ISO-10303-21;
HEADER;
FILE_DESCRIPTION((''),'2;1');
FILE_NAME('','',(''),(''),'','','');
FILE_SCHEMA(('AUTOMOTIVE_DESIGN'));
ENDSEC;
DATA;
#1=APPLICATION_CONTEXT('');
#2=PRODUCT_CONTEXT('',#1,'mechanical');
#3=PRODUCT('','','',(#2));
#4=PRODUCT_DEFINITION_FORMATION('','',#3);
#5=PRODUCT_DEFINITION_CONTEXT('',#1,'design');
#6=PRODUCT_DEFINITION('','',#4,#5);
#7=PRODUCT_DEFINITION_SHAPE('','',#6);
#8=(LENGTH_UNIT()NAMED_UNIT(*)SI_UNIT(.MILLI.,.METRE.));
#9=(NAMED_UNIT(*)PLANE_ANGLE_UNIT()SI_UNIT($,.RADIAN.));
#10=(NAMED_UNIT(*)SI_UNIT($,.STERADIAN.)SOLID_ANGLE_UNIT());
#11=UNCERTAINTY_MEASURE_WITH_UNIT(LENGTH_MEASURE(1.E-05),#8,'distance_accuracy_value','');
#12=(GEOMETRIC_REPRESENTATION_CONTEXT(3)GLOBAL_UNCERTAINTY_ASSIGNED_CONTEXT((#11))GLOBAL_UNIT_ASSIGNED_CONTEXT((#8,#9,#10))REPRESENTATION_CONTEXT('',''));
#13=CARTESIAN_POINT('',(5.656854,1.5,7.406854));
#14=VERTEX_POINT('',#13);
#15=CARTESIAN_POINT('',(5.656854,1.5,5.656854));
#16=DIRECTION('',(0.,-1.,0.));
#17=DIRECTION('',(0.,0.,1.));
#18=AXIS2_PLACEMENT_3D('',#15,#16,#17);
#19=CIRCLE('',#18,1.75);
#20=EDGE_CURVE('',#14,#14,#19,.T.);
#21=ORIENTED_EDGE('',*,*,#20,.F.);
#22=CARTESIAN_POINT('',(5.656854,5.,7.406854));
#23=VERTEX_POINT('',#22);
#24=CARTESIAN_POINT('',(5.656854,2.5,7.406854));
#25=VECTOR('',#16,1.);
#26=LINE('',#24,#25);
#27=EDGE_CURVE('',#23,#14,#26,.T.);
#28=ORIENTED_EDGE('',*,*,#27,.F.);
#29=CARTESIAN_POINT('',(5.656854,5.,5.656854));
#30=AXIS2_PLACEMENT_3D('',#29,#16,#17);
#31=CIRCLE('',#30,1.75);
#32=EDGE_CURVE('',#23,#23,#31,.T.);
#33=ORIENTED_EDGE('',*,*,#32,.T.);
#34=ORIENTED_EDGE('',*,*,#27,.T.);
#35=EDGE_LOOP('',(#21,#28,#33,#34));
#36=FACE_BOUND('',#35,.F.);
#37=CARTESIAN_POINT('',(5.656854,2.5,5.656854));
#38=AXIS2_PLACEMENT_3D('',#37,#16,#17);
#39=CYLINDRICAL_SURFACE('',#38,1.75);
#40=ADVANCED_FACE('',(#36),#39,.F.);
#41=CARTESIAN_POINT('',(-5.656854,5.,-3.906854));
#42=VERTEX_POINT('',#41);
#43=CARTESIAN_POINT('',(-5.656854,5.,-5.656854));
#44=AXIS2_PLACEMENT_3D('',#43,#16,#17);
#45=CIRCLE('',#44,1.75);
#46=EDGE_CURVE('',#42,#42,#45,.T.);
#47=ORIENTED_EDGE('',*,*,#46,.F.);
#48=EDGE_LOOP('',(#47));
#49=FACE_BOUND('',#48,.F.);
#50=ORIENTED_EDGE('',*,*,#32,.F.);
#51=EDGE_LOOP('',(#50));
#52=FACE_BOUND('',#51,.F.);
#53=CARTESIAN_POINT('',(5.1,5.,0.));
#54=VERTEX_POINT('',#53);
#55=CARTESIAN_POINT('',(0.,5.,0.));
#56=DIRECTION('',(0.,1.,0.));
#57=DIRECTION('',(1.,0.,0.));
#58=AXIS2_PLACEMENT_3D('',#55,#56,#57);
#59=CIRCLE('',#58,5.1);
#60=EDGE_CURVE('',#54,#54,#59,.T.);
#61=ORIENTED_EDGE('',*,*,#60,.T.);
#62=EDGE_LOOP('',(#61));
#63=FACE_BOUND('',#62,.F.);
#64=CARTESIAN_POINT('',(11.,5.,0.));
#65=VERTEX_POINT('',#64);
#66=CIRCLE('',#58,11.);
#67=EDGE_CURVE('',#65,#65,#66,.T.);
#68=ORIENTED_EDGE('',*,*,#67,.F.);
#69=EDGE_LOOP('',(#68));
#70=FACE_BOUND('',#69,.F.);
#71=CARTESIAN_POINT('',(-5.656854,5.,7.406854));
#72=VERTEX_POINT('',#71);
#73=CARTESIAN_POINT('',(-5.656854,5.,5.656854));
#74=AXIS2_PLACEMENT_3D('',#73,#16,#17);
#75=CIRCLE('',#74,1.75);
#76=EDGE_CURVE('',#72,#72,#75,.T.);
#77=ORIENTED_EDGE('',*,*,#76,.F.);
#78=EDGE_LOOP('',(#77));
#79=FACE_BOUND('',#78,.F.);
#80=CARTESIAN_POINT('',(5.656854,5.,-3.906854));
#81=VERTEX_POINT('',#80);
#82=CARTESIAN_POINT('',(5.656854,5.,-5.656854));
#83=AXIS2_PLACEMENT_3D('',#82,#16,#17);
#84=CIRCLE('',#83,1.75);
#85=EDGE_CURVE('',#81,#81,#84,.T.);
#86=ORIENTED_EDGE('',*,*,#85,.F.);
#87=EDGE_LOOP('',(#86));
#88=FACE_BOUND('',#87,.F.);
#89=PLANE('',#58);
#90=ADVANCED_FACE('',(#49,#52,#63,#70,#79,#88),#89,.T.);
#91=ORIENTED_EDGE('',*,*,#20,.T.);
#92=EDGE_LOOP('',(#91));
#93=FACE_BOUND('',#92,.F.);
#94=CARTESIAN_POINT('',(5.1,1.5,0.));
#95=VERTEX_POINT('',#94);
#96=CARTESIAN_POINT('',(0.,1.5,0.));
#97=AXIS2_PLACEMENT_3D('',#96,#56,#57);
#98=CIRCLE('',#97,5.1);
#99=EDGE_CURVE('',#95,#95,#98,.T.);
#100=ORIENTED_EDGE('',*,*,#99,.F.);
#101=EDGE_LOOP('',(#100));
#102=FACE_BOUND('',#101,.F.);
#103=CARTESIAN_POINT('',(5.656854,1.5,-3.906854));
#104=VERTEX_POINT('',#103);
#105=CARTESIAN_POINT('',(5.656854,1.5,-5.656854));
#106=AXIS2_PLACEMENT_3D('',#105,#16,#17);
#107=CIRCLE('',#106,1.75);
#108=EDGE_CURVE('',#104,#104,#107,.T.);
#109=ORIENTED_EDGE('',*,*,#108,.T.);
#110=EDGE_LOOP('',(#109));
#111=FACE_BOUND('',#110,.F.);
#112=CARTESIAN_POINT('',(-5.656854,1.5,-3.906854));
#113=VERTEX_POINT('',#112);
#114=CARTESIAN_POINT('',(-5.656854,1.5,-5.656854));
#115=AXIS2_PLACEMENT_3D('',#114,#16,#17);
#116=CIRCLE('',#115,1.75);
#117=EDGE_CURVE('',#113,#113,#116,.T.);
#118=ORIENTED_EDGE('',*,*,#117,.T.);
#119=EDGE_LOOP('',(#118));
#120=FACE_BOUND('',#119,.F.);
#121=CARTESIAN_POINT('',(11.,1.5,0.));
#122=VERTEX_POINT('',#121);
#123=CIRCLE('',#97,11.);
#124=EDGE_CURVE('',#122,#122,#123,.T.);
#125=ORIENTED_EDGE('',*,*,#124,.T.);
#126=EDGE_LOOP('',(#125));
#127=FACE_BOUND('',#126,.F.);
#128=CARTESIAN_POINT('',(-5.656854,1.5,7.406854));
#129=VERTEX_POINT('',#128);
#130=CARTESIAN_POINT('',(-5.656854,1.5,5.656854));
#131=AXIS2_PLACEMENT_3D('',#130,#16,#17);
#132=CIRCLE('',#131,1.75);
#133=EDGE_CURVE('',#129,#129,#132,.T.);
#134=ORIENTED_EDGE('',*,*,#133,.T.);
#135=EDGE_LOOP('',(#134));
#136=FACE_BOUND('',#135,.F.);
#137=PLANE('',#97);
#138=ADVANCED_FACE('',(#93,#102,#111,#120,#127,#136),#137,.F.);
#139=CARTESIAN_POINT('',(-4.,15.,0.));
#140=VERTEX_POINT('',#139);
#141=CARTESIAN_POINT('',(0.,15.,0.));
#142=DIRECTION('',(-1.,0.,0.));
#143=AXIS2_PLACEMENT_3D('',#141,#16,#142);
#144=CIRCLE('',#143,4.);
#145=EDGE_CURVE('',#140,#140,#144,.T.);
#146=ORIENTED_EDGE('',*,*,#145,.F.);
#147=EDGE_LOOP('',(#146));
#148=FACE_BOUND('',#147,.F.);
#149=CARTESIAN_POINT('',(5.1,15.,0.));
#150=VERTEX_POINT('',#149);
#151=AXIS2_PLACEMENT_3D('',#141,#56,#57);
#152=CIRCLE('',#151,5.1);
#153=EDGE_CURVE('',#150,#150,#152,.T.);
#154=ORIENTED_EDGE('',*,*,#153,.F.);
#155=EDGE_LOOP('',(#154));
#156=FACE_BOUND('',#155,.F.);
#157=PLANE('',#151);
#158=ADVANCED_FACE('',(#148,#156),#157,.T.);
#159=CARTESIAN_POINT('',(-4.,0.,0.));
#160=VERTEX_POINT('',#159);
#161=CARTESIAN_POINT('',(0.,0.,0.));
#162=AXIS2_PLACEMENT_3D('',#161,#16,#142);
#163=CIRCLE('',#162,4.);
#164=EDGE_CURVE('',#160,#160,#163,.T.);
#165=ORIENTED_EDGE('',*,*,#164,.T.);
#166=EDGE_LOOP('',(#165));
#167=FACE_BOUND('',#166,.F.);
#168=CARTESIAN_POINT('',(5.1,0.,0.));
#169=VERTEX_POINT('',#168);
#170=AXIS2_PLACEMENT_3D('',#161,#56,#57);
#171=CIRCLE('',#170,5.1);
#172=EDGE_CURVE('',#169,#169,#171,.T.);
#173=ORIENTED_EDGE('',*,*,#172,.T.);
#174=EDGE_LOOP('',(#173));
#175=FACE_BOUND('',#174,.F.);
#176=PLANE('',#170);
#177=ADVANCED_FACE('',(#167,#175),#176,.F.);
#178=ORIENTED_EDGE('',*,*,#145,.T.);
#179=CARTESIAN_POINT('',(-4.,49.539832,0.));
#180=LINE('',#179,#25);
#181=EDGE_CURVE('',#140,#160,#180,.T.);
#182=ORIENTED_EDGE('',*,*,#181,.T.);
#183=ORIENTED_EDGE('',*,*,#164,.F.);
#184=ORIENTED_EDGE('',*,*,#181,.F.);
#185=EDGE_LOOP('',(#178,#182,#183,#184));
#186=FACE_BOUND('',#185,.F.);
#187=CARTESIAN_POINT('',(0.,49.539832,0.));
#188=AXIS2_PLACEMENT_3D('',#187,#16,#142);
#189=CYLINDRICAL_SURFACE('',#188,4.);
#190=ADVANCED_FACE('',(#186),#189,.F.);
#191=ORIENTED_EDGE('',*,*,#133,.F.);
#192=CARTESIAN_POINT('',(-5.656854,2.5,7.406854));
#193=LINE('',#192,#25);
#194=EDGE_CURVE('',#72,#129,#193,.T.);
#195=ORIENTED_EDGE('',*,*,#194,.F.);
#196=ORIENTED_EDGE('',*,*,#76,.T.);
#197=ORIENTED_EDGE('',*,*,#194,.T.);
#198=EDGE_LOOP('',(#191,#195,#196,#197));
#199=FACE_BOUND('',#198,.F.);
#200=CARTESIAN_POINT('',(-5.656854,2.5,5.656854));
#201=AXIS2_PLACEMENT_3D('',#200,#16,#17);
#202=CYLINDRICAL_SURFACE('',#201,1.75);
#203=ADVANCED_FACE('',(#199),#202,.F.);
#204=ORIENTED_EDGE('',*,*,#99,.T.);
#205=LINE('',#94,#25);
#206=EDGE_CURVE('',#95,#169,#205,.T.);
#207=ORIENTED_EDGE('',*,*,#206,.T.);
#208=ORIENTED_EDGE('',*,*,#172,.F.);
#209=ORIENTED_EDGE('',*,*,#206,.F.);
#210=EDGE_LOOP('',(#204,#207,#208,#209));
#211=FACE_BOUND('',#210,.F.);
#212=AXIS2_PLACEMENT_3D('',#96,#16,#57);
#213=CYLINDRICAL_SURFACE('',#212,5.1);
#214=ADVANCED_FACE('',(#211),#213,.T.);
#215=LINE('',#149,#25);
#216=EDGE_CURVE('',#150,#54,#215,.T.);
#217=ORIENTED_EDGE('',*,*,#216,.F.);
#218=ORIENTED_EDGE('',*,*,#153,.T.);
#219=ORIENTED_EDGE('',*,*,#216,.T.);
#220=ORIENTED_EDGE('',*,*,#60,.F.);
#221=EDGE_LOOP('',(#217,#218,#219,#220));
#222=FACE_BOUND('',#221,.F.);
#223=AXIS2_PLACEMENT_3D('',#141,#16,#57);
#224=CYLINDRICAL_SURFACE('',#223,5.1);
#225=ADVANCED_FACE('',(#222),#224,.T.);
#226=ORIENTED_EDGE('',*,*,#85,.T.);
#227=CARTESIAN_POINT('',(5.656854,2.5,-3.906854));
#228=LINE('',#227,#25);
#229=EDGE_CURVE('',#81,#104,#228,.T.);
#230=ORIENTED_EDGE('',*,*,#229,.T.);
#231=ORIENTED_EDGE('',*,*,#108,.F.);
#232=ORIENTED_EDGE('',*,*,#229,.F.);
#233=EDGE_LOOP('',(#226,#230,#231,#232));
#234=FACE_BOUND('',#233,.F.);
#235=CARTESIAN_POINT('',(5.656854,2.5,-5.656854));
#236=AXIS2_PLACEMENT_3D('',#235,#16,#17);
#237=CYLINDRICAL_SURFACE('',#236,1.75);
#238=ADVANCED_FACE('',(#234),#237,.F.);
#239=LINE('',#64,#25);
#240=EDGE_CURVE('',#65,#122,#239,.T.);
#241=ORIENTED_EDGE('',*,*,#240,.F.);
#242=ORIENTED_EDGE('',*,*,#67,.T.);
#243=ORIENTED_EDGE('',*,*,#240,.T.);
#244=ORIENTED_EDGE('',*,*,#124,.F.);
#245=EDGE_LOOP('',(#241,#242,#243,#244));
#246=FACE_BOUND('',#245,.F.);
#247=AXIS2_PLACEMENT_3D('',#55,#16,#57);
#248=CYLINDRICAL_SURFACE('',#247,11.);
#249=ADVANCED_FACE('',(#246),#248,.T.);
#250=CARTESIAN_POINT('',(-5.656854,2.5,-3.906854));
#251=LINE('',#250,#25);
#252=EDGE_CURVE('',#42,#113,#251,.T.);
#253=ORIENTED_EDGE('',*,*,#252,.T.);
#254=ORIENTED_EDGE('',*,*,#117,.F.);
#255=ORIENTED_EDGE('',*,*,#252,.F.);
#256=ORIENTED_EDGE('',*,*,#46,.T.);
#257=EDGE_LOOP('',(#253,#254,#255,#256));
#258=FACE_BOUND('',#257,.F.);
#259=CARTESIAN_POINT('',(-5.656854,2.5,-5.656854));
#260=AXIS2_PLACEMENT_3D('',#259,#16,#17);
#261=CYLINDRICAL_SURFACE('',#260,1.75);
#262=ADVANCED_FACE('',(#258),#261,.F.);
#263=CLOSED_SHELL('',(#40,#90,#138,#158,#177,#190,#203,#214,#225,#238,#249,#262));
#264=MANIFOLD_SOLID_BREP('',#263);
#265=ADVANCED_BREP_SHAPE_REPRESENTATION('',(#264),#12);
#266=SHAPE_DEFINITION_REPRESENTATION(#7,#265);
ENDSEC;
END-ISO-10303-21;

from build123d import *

# Parameters (mm, degrees)
SKETCH2_W                           = 1.75
SKETCH2_H                           = 5
F_3_5_3_5_DIAMETER_HOLE1_AT_2_COUNT = 2
F_3_5_3_5_DIAMETER_HOLE1_AT_2_PITCH = 11.313708499
F_3_5_3_5_DIAMETER_HOLE1_AT_3_COUNT = 2
F_3_5_3_5_DIAMETER_HOLE1_AT_3_PITCH = 16
F_3_5_3_5_DIAMETER_HOLE1_AT_4_COUNT = 2
F_3_5_3_5_DIAMETER_HOLE1_AT_4_PITCH = 11.313708499
F_3_5_3_5_DIAMETER_HOLE1_AT_5_COUNT = 2
F_3_5_3_5_DIAMETER_HOLE1_AT_5_PITCH = 8
F_8_0_8_DIAMETER_HOLE1_D            = 8


with BuildPart() as part:
    # Sketch1 → Revolve1 (revolve)
    with BuildSketch(Plane.XY):
        Polygon((0, 0), (0, 15), (5.1, 15), (5.1, 5), (11, 5), (11, 1.5), (5.1, 1.5), (5.1, 0), align=None)
    revolve(axis=Axis((0, 0, 0), (0, 1, 0)))

    # Sketch2 → Ø3.5 (3.5) Diameter Hole1 (revolve, cut)
    with BuildSketch(Plane(origin=(-5.656854249, 5, 5.656854249), x_dir=(0, 0, 1), z_dir=(1, 0, 0))):
        with Locations((0.875, 2.5)):
            Rectangle(SKETCH2_W, SKETCH2_H)
    f_3_5_3_5_diameter_hole1 = revolve(axis=Axis((-5.656854249, 11.35, 5.656854249), (0, -1, 0)), mode=Mode.SUBTRACT)

    # Ø3.5 (3.5) Diameter Hole1 at 2: Ø3.5 (3.5) Diameter Hole1 ×2
    with Locations(*[(i * F_3_5_3_5_DIAMETER_HOLE1_AT_2_PITCH, 0, 0) for i in range(1, F_3_5_3_5_DIAMETER_HOLE1_AT_2_COUNT)]):
        add(f_3_5_3_5_diameter_hole1, mode=Mode.SUBTRACT)

    # Ø3.5 (3.5) Diameter Hole1 at 3: Ø3.5 (3.5) Diameter Hole1 ×2
    with Locations(*[Vector(0.707106781, 0, -0.707106781) * (i * F_3_5_3_5_DIAMETER_HOLE1_AT_3_PITCH) for i in range(1, F_3_5_3_5_DIAMETER_HOLE1_AT_3_COUNT)]):
        add(f_3_5_3_5_diameter_hole1, mode=Mode.SUBTRACT)

    # Ø3.5 (3.5) Diameter Hole1 at 4: Ø3.5 (3.5) Diameter Hole1 ×2
    with Locations(*[(0, 0, -i * F_3_5_3_5_DIAMETER_HOLE1_AT_4_PITCH) for i in range(1, F_3_5_3_5_DIAMETER_HOLE1_AT_4_COUNT)]):
        add(f_3_5_3_5_diameter_hole1, mode=Mode.SUBTRACT)

    # Ø3.5 (3.5) Diameter Hole1 at 5: Ø3.5 (3.5) Diameter Hole1 ×2
    with Locations(*[Vector(0.707106781, 0, -0.707106781) * (i * F_3_5_3_5_DIAMETER_HOLE1_AT_5_PITCH) for i in range(1, F_3_5_3_5_DIAMETER_HOLE1_AT_5_COUNT)]):
        add(f_3_5_3_5_diameter_hole1, mode=Mode.SUBTRACT)

    # Ø8.0 (8) Diameter Hole1 (through all)
    with Locations(Plane(origin=(0, 15, 0), x_dir=(1, 0, 0), z_dir=(0, 1, 0))):
        with Locations((0, 0)):
            Hole(F_8_0_8_DIAMETER_HOLE1_D / 2)


solid = part.part
